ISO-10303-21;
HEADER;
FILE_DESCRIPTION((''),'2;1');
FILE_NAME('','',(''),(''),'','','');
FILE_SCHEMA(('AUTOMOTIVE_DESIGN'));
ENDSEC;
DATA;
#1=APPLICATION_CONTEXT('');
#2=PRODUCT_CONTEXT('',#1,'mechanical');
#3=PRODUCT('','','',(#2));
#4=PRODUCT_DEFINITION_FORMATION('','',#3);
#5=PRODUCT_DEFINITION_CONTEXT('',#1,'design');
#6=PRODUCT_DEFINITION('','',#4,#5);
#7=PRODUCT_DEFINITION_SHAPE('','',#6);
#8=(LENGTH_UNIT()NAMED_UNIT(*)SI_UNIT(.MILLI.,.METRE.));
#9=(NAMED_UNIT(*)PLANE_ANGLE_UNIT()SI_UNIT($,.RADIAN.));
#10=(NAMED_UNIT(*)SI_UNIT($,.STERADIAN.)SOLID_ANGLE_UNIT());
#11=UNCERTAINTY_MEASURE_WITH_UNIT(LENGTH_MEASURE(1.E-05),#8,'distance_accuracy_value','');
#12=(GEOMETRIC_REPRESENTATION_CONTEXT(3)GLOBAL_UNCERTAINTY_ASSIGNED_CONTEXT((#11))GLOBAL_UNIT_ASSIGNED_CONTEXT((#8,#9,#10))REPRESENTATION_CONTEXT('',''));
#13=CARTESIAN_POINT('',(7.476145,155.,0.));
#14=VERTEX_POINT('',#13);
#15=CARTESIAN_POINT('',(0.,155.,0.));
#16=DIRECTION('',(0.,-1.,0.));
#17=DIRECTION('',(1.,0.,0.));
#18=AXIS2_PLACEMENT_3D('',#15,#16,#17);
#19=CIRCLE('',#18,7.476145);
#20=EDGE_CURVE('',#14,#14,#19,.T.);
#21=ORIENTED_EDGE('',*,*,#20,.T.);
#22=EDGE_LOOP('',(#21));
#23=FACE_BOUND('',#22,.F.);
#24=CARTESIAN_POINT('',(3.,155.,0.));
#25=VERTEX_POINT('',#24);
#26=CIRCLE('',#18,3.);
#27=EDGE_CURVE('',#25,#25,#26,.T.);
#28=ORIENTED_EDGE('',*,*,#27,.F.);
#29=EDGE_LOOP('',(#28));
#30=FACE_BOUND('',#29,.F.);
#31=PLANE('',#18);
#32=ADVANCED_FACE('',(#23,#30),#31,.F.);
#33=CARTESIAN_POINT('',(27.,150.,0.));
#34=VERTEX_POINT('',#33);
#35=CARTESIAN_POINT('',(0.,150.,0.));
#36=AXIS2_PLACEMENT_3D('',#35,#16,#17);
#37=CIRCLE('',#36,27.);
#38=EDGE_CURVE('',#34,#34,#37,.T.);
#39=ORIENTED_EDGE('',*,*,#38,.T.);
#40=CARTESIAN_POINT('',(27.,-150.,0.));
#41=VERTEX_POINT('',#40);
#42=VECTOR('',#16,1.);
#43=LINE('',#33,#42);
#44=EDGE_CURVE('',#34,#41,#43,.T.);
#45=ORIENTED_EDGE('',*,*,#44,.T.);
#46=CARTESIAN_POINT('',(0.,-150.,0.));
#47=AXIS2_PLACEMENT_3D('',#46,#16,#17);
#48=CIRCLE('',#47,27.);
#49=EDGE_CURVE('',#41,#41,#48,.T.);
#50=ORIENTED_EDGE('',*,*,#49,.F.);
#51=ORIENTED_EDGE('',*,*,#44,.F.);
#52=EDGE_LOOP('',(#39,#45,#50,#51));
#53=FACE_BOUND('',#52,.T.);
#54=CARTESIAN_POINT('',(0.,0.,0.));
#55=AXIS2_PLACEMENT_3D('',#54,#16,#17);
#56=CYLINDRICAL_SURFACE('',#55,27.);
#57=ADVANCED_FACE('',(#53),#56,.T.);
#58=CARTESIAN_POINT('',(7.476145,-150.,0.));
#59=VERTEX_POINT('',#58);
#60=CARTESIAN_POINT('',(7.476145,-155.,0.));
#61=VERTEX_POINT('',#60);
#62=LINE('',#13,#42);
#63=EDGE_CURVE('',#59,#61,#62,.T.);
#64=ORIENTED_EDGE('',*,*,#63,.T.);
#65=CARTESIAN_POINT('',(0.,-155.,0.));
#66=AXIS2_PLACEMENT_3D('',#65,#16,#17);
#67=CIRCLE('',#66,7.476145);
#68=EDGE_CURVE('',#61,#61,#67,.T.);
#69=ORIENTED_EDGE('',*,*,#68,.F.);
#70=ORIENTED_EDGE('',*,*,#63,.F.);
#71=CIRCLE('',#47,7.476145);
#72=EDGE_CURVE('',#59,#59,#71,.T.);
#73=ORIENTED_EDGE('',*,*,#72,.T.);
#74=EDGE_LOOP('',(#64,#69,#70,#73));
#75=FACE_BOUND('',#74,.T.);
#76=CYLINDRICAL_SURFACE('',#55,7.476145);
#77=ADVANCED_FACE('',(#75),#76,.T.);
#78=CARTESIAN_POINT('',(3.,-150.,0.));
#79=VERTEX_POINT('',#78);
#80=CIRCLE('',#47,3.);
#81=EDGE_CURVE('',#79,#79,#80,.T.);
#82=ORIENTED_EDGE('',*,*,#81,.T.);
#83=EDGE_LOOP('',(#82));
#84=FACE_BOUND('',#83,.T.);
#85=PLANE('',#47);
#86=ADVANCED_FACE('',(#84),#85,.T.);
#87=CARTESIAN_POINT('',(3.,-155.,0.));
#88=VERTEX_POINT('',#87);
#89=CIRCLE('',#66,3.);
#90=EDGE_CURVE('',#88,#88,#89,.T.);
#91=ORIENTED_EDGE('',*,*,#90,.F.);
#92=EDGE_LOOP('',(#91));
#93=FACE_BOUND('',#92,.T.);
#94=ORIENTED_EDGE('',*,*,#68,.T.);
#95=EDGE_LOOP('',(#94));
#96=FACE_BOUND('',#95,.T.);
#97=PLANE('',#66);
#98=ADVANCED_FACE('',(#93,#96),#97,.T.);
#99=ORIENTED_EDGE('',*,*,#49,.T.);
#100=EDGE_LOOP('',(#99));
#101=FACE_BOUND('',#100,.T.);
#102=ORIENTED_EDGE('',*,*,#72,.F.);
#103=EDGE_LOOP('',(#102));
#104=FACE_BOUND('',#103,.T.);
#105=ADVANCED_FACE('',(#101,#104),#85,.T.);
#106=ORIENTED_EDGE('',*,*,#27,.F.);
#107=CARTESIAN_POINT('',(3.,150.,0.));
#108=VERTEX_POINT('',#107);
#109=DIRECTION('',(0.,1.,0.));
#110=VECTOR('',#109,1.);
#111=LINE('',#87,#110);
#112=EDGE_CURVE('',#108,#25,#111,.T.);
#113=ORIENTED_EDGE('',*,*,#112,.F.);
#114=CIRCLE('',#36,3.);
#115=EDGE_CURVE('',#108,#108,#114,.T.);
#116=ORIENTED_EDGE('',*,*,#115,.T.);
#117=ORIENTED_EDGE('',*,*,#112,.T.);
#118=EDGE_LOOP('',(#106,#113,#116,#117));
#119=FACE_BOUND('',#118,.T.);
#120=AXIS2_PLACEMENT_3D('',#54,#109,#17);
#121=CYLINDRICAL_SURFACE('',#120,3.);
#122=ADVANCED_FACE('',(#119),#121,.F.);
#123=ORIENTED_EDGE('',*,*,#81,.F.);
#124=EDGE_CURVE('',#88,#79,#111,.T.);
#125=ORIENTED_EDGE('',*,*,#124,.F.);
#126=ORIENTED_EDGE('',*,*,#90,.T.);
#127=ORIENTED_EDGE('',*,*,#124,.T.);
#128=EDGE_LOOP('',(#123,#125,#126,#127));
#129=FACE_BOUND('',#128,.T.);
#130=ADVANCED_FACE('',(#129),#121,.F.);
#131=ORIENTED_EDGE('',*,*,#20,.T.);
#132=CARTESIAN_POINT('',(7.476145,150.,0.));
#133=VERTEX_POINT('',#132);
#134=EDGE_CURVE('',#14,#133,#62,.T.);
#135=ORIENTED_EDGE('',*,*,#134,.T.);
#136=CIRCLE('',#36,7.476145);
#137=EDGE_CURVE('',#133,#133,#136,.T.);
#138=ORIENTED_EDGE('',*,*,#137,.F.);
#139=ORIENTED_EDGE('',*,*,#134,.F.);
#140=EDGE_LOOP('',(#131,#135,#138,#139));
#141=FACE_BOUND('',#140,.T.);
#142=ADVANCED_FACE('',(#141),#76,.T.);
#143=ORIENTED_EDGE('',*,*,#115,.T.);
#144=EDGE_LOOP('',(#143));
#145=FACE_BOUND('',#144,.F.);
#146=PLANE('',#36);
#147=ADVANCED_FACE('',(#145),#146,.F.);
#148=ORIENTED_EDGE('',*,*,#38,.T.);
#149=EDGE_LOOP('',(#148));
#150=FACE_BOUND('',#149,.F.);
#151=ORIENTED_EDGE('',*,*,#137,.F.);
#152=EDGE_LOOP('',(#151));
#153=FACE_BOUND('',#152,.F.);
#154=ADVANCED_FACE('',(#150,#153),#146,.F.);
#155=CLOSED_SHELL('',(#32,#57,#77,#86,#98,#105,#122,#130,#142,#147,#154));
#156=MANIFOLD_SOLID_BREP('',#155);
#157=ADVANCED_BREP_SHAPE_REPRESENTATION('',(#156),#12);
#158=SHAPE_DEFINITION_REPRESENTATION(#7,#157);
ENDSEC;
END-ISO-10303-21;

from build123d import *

# Parameters (mm, degrees)
F0_R     = 3
F1_DEPTH = 150
F0_R_2   = 7.4761454261
F2_DEPTH = 155
F0_R_3   = 27
F3_DEPTH = 150


with BuildPart() as f1:
    # F0 (on Front) → F1 (new body, symmetric)
    with BuildSketch(Plane.XZ):
        Circle(F0_R)
    extrude(amount=F1_DEPTH, both=True)

    # F0 (on Front) → F2 (join, symmetric)
    with BuildSketch(Plane.XZ):
        Circle(F0_R_2)
        Circle(F0_R, mode=Mode.SUBTRACT)
    extrude(amount=F2_DEPTH, both=True)

    # F0 (on Front) → F3 (join, symmetric)
    with BuildSketch(Plane.XZ):
        Circle(F0_R_3)
        Circle(F0_R_2, mode=Mode.SUBTRACT)
    extrude(amount=F3_DEPTH, both=True)


solid = f1.part
